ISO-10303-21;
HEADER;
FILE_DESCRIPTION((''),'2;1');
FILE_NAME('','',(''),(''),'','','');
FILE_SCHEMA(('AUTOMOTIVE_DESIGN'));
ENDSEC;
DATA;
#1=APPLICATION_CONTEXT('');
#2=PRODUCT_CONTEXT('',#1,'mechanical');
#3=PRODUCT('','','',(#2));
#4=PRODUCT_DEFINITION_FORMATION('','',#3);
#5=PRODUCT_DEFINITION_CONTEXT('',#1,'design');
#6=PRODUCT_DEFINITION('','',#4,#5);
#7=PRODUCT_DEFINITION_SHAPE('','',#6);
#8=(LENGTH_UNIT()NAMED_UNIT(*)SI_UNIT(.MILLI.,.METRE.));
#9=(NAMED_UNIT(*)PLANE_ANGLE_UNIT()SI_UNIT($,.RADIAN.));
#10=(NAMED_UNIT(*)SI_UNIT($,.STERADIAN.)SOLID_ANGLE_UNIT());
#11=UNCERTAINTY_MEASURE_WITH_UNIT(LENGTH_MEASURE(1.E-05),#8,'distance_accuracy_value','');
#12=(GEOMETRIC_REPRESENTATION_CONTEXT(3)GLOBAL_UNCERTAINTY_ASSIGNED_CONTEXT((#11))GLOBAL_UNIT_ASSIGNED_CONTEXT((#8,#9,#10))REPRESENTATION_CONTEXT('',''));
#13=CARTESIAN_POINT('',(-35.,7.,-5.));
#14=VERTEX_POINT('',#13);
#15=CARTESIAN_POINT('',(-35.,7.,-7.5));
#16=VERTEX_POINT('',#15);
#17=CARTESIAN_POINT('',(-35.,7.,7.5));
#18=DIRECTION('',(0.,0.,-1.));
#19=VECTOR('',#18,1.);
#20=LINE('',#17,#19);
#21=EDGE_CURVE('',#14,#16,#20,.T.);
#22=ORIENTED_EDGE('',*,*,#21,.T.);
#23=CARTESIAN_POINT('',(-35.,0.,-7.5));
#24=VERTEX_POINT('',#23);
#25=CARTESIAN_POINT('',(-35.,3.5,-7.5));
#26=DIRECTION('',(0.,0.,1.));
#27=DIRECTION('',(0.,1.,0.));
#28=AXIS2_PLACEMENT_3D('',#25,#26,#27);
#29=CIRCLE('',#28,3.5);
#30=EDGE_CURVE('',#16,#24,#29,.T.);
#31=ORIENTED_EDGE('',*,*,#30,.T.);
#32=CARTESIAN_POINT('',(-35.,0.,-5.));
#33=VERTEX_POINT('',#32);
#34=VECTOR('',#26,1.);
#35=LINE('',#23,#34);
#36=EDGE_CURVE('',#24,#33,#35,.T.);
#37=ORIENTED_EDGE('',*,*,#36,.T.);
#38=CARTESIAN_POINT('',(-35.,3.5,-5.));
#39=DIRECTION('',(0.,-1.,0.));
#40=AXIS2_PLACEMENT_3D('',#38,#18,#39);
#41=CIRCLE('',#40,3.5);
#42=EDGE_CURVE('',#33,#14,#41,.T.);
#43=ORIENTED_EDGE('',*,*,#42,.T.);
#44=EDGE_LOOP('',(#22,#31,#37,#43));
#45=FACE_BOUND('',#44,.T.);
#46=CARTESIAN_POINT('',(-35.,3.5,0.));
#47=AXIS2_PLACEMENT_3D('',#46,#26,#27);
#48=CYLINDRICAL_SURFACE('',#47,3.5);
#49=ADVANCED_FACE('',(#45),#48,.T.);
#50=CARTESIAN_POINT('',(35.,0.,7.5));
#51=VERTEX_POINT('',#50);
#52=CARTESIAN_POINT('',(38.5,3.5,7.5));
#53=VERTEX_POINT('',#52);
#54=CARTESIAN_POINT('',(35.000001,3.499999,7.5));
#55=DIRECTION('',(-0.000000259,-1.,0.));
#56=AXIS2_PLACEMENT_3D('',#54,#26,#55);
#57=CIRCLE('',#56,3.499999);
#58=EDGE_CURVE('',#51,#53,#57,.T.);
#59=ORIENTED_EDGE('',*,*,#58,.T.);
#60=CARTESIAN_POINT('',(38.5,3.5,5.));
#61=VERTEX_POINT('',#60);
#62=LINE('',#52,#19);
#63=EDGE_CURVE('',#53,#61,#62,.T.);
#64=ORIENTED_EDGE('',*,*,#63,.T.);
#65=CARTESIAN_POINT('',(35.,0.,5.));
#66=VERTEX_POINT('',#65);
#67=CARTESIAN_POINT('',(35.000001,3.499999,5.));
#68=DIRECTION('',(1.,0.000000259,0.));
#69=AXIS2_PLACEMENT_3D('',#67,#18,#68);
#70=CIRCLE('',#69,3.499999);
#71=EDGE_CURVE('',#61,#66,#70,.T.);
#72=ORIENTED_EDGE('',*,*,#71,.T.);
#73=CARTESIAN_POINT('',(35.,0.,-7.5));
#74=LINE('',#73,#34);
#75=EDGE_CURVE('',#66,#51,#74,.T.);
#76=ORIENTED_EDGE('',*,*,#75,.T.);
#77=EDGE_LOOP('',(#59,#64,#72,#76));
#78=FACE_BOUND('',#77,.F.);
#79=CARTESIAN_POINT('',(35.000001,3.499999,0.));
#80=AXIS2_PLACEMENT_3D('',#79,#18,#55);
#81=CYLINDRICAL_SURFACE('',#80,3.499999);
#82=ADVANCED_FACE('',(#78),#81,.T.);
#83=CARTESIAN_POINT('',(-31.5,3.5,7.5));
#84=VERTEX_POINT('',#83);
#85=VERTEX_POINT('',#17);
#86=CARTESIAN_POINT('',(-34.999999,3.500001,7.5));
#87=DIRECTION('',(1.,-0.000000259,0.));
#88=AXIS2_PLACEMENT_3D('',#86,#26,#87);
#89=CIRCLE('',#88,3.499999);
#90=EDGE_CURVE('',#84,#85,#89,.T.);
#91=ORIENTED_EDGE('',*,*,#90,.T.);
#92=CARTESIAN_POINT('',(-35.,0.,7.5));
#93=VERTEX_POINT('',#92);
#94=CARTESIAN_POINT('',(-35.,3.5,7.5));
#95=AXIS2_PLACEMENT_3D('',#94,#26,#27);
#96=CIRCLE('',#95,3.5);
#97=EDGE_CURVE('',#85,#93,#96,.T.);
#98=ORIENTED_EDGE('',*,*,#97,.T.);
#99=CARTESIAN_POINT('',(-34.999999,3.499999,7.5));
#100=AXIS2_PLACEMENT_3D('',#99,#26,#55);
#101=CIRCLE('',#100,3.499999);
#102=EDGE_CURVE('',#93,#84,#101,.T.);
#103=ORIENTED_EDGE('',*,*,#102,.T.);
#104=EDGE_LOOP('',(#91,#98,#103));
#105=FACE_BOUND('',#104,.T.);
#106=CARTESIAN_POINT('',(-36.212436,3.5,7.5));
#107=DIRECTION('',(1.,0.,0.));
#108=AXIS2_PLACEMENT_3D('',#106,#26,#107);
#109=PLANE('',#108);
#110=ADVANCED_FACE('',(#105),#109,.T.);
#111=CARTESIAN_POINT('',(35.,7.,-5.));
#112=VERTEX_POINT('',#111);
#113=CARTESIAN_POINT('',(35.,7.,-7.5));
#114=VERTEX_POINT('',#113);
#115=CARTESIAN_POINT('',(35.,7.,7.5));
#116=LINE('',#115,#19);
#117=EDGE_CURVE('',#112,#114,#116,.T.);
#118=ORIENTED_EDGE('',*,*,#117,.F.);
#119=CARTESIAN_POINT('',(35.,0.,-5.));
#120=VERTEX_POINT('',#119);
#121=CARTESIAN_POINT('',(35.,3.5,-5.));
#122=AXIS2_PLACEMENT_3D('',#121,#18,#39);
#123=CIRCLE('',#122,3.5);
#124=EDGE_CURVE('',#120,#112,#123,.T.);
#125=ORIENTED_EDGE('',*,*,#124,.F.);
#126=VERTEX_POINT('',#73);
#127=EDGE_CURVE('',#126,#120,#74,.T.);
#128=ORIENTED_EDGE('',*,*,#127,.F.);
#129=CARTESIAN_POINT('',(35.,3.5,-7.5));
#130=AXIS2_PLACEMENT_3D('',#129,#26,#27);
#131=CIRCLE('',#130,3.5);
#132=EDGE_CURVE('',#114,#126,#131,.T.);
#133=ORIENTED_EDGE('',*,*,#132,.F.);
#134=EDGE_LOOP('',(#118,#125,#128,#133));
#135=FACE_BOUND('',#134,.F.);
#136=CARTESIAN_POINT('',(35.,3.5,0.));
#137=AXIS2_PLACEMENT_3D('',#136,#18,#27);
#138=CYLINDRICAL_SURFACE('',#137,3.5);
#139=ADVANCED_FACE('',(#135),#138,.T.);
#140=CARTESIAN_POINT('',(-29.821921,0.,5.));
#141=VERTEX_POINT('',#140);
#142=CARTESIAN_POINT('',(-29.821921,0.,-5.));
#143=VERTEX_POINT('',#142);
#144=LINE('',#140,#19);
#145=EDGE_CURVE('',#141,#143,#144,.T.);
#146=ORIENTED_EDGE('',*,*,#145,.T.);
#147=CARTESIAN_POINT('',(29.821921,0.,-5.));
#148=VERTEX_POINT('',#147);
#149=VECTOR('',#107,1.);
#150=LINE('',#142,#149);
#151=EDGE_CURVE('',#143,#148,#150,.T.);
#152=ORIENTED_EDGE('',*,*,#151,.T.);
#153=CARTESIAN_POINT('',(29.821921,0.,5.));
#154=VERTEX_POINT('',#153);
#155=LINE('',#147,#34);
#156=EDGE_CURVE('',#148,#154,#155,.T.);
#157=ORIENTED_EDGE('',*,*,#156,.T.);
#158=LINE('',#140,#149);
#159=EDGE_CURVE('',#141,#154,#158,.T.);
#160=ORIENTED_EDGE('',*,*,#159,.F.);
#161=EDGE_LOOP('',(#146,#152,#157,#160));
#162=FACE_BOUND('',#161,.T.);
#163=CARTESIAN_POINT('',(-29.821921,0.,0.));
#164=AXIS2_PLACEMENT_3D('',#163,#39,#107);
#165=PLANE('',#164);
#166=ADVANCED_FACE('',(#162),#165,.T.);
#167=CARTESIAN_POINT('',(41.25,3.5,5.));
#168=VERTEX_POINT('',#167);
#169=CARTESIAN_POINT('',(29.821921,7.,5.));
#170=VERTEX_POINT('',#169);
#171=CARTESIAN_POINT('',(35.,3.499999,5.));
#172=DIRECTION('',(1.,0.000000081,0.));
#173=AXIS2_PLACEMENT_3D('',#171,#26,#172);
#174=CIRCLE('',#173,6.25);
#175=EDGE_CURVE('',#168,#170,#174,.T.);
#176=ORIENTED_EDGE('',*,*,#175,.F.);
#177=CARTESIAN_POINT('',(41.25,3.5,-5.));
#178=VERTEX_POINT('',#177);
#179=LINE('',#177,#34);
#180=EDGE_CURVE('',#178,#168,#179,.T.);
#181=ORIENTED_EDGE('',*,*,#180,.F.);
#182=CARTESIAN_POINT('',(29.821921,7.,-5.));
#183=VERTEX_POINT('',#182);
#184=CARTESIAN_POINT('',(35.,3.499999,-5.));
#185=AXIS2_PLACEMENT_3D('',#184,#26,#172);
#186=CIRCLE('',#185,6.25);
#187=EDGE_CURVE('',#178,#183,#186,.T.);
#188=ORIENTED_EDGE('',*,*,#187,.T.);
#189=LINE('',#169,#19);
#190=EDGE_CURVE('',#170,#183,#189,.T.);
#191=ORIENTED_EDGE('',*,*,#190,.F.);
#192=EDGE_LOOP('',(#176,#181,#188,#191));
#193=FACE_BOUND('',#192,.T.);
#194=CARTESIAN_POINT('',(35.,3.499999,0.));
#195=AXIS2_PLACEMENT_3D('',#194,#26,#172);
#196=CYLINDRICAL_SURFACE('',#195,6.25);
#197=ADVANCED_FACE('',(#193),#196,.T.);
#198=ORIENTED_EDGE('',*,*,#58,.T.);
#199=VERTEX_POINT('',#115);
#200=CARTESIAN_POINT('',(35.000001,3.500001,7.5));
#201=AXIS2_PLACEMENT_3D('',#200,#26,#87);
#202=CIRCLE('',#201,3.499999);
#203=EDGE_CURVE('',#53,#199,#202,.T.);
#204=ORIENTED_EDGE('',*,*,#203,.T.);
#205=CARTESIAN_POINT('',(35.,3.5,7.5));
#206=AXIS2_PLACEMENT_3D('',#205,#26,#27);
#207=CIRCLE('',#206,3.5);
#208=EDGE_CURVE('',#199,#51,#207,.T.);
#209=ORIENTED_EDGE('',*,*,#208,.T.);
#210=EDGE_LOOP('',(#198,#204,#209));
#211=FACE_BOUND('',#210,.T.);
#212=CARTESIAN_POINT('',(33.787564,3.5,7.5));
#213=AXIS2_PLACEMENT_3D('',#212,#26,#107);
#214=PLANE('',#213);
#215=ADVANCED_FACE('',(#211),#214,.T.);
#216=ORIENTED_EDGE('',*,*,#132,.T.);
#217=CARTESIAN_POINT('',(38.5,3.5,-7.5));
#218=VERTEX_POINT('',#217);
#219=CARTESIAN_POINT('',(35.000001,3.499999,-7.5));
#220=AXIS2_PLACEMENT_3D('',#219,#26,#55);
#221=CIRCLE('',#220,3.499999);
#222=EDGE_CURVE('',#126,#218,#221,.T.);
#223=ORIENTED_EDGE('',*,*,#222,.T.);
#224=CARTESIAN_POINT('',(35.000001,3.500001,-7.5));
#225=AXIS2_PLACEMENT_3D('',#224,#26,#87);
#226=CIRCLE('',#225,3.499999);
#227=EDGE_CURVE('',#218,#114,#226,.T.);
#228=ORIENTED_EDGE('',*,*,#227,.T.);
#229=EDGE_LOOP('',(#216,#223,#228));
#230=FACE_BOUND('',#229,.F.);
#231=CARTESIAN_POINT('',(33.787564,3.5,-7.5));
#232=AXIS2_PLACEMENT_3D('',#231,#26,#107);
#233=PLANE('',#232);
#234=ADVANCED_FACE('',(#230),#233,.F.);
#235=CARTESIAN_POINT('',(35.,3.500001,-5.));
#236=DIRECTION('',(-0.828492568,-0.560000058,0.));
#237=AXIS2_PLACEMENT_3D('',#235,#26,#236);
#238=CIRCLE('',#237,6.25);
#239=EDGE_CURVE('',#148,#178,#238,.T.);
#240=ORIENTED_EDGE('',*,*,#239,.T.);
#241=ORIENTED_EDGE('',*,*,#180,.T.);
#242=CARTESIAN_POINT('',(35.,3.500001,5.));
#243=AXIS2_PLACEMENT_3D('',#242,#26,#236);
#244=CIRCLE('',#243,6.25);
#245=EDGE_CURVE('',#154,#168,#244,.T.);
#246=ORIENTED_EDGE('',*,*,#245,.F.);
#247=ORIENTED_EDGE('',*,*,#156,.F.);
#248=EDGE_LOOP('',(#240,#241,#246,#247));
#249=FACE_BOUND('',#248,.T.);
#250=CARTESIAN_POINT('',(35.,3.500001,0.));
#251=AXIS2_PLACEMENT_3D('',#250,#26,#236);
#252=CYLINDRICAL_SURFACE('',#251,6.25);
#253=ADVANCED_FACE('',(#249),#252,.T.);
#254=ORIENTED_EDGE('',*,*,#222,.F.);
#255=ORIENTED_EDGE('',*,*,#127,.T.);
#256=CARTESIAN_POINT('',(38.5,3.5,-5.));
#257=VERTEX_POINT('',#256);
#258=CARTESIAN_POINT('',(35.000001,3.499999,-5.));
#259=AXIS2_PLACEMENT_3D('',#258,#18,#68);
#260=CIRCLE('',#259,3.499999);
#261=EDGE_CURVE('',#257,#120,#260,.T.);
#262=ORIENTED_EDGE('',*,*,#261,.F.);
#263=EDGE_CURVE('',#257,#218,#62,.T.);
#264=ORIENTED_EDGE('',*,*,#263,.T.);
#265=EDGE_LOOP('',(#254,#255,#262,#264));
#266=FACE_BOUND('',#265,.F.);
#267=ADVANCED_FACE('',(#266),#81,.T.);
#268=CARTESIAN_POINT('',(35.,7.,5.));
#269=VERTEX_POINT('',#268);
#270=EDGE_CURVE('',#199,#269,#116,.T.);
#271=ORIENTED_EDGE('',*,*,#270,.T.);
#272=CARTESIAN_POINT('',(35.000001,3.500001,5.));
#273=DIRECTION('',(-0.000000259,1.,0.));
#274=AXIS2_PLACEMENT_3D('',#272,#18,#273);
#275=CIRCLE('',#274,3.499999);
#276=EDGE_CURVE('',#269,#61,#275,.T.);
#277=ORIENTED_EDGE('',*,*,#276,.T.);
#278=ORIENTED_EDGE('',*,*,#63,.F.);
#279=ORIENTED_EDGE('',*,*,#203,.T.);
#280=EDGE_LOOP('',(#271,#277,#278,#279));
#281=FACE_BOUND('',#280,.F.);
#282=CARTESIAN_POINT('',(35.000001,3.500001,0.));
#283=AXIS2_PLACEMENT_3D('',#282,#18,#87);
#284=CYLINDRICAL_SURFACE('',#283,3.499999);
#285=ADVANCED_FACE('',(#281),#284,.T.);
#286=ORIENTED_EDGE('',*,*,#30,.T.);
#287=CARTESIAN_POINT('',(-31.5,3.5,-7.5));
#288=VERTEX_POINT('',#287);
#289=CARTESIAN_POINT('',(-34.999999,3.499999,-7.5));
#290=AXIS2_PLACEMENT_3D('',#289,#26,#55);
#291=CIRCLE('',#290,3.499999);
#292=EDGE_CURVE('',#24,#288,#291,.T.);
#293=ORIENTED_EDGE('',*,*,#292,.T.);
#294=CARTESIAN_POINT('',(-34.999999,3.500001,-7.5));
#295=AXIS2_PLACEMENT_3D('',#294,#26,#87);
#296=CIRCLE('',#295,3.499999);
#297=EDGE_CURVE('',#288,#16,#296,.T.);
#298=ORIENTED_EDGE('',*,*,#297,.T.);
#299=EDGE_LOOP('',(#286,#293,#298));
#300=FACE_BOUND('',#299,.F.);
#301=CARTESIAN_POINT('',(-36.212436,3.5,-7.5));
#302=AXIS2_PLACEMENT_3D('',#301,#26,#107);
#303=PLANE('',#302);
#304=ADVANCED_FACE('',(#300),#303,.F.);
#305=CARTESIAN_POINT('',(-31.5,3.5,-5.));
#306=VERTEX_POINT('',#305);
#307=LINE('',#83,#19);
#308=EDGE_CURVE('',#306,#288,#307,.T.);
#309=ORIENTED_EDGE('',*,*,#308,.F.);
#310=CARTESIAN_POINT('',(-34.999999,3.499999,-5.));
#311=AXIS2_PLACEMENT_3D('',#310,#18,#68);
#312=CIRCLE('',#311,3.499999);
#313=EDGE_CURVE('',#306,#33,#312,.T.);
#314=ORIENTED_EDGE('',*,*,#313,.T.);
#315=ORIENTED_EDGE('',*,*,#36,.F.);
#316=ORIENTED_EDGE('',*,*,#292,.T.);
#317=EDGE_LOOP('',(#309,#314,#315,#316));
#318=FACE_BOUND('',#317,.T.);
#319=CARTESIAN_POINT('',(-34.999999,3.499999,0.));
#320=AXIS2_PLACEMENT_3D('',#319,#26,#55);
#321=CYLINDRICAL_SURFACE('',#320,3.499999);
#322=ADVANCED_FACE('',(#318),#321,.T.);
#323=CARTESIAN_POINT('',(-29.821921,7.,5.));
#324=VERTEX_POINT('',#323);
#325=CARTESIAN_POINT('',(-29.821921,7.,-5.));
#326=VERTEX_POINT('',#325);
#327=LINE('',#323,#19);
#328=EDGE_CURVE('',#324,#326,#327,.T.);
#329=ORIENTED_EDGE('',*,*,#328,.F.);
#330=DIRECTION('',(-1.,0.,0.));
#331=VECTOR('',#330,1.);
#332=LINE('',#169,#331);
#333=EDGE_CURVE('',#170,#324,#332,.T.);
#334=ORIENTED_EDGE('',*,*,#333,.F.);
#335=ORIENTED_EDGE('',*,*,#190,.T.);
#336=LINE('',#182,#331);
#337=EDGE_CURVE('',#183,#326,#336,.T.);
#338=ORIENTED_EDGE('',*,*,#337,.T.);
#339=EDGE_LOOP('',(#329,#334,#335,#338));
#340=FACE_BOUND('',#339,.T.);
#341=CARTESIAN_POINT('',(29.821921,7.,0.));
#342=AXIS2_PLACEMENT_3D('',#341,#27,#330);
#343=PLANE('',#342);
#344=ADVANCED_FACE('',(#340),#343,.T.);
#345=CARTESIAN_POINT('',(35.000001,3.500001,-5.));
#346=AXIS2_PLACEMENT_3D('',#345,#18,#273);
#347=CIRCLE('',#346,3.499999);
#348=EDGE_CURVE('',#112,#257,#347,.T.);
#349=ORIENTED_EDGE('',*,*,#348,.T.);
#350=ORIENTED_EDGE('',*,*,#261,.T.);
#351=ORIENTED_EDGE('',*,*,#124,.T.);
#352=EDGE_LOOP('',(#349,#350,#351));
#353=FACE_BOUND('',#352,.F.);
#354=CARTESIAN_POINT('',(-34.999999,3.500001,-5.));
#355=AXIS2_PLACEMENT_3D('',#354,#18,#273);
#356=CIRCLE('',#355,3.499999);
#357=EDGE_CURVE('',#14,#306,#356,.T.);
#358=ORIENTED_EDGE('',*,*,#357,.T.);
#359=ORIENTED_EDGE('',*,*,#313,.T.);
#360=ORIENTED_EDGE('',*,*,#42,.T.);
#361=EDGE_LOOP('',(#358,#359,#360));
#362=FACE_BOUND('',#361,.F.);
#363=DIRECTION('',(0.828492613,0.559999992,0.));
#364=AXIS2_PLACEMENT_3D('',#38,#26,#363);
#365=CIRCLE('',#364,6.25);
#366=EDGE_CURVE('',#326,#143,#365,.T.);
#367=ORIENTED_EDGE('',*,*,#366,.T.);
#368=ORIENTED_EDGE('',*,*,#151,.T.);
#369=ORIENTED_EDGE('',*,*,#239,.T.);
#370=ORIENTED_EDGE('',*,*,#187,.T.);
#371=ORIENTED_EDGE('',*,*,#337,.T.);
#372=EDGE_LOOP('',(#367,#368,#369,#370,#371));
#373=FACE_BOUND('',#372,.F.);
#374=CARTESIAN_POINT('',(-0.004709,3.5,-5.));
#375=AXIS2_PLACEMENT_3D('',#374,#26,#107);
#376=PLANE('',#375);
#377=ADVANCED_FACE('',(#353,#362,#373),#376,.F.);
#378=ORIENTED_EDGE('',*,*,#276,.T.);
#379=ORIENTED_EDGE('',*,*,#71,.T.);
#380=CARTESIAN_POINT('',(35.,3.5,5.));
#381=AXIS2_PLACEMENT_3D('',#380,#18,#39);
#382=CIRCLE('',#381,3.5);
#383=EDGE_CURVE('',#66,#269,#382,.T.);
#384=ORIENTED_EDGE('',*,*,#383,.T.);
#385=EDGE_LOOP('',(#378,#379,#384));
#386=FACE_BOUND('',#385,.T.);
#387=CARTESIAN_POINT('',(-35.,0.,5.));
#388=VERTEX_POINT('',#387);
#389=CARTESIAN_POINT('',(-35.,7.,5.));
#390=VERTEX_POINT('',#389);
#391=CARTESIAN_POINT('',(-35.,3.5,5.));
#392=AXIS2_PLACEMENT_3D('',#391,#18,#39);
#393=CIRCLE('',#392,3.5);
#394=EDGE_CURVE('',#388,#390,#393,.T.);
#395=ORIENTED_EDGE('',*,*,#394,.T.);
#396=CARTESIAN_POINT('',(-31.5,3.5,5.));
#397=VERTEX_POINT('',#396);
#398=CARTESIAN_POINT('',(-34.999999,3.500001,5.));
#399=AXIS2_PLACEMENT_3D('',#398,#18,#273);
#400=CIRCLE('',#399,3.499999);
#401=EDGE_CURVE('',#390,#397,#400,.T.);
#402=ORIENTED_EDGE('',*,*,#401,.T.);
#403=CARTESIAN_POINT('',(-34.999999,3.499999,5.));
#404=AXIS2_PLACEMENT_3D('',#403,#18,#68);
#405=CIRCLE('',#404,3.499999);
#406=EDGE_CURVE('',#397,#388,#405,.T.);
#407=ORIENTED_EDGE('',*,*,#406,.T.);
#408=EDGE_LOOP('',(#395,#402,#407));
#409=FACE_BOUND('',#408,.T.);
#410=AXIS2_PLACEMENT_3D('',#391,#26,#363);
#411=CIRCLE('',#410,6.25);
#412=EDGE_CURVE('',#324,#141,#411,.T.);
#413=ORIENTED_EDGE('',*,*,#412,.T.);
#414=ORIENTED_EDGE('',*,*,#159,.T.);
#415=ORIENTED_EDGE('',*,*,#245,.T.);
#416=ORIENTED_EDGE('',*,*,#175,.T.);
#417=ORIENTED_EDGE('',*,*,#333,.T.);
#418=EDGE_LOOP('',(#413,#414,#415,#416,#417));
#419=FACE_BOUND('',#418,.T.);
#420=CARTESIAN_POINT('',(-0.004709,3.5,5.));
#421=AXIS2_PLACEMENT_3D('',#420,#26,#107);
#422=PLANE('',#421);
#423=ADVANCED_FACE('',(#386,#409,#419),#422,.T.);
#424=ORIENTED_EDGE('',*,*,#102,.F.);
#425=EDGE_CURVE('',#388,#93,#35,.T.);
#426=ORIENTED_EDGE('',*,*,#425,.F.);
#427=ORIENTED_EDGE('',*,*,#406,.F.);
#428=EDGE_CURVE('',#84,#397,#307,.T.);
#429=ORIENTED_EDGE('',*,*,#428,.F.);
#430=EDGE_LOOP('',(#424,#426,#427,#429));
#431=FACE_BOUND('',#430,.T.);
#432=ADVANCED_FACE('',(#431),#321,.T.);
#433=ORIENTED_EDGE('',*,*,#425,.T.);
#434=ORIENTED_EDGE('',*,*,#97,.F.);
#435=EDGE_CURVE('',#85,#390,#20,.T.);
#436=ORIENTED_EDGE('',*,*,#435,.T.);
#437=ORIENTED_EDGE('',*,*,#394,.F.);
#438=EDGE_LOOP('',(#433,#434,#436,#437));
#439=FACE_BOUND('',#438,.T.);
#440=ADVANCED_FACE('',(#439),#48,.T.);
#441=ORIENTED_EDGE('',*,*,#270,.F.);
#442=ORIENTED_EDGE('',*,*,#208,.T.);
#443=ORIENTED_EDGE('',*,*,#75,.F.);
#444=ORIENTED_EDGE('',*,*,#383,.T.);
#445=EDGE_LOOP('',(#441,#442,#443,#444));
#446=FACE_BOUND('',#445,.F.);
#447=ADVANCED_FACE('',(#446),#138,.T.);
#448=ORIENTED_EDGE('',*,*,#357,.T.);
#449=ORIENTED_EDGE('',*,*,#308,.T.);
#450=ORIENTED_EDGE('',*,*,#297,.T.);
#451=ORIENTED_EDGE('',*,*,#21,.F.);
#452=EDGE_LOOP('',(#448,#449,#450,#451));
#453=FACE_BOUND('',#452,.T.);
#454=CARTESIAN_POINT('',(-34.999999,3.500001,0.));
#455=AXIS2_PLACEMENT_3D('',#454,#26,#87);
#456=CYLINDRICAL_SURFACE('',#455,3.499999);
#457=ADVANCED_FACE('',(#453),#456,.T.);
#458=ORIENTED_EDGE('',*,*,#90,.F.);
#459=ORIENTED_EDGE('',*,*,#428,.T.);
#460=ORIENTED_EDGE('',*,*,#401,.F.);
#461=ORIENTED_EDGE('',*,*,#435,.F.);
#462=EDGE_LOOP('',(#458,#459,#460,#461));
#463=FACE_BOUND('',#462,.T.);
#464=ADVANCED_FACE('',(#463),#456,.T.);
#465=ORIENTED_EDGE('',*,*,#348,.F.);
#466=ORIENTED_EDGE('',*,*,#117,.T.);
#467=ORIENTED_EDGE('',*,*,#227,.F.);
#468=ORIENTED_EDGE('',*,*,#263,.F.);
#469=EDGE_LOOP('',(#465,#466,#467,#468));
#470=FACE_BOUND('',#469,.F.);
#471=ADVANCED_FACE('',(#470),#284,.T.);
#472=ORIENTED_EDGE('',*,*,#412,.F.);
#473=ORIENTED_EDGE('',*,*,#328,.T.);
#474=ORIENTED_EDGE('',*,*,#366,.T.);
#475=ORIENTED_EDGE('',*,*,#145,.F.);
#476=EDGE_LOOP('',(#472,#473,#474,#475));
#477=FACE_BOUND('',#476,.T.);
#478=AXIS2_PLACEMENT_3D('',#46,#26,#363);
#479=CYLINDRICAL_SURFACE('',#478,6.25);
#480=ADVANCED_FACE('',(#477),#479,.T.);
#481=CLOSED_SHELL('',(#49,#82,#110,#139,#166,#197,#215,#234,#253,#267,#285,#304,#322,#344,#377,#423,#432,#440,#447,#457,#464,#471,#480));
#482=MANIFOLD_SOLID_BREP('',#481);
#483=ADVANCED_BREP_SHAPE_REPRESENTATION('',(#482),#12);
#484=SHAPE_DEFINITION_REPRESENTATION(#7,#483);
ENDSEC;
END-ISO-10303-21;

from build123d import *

# Parameters (mm, degrees)
F1_DEPTH = 5
F2_DEPTH = 7.5


with BuildPart() as f1:
    # F0 (on Top) → F1 (new body, symmetric)
    with BuildSketch(Plane.XY):
        with BuildLine():
            Line((-29.821921, 0), (0, 0))
            Line((0, 0), (29.821921, 0))
            ThreePointArc((29.821921, 0), (28.75, 3.5), (29.821921, 7))
            Line((29.821921, 7), (0, 7))
            Line((0, 7), (-29.821921, 7))
            ThreePointArc((-29.821921, 7), (-29.023986, 5.330233), (-28.75, 3.5))
            ThreePointArc((-28.75, 3.5), (-29.023986, 1.669767), (-29.821921, 0))
        make_face()
        with BuildLine():
            Line((35, 0), (29.821921, 0))
            ThreePointArc((29.821921, 0), (36.830233, -2.476014), (41.25, 3.5))
            ThreePointArc((41.25, 3.5), (36.830233, 9.476014), (29.821921, 7))
            Line((29.821921, 7), (35, 7))
            ThreePointArc((35, 7), (37.474874, 5.974874), (38.5, 3.5))
            ThreePointArc((38.5, 3.5), (37.474874, 1.025126), (35, 0))
        make_face()
        with BuildLine():
            ThreePointArc((29.821921, 7), (28.75, 3.5), (29.821921, 0))
            Line((29.821921, 0), (35, 0))
            ThreePointArc((35, 0), (31.5, 3.5), (35, 7))
            Line((35, 7), (29.821921, 7))
        make_face()
        with BuildLine():
            ThreePointArc((-29.821921, 7), (-41.25, 3.5), (-29.821921, 0))
            Line((-29.821921, 0), (-35, 0))
            ThreePointArc((-35, 0), (-38.5, 3.5), (-35, 7))
            Line((-35, 7), (-29.821921, 7))
        make_face()
        with BuildLine():
            Line((-35, 0), (-29.821921, 0))
            ThreePointArc((-29.821921, 0), (-29.023986, 1.669767), (-28.75, 3.5))
            ThreePointArc((-28.75, 3.5), (-29.023986, 5.330233), (-29.821921, 7))
            Line((-29.821921, 7), (-35, 7))
            ThreePointArc((-35, 7), (-32.525126, 5.974874), (-31.5, 3.5))
            ThreePointArc((-31.5, 3.5), (-32.525126, 1.025126), (-35, 0))
        make_face()
    extrude(amount=F1_DEPTH, both=True)

    # F0 (on Top) → F2 (join, symmetric)
    with BuildSketch(Plane.XY):
        with BuildLine():
            ThreePointArc((35, 7), (31.5, 3.5), (35, 0))
            Line((35, 0), (35, 7))
        make_face()
        with BuildLine():
            Line((35, 7), (35, 0))
            ThreePointArc((35, 0), (37.474874, 1.025126), (38.5, 3.5))
            ThreePointArc((38.5, 3.5), (37.474874, 5.974874), (35, 7))
        make_face()
        with BuildLine():
            ThreePointArc((-35, 7), (-38.5, 3.5), (-35, 0))
            Line((-35, 0), (-35, 7))
        make_face()
        with BuildLine():
            Line((-35, 7), (-35, 0))
            ThreePointArc((-35, 0), (-32.525126, 1.025126), (-31.5, 3.5))
            ThreePointArc((-31.5, 3.5), (-32.525126, 5.974874), (-35, 7))
        make_face()
    extrude(amount=F2_DEPTH, both=True)


solid = f1.part
